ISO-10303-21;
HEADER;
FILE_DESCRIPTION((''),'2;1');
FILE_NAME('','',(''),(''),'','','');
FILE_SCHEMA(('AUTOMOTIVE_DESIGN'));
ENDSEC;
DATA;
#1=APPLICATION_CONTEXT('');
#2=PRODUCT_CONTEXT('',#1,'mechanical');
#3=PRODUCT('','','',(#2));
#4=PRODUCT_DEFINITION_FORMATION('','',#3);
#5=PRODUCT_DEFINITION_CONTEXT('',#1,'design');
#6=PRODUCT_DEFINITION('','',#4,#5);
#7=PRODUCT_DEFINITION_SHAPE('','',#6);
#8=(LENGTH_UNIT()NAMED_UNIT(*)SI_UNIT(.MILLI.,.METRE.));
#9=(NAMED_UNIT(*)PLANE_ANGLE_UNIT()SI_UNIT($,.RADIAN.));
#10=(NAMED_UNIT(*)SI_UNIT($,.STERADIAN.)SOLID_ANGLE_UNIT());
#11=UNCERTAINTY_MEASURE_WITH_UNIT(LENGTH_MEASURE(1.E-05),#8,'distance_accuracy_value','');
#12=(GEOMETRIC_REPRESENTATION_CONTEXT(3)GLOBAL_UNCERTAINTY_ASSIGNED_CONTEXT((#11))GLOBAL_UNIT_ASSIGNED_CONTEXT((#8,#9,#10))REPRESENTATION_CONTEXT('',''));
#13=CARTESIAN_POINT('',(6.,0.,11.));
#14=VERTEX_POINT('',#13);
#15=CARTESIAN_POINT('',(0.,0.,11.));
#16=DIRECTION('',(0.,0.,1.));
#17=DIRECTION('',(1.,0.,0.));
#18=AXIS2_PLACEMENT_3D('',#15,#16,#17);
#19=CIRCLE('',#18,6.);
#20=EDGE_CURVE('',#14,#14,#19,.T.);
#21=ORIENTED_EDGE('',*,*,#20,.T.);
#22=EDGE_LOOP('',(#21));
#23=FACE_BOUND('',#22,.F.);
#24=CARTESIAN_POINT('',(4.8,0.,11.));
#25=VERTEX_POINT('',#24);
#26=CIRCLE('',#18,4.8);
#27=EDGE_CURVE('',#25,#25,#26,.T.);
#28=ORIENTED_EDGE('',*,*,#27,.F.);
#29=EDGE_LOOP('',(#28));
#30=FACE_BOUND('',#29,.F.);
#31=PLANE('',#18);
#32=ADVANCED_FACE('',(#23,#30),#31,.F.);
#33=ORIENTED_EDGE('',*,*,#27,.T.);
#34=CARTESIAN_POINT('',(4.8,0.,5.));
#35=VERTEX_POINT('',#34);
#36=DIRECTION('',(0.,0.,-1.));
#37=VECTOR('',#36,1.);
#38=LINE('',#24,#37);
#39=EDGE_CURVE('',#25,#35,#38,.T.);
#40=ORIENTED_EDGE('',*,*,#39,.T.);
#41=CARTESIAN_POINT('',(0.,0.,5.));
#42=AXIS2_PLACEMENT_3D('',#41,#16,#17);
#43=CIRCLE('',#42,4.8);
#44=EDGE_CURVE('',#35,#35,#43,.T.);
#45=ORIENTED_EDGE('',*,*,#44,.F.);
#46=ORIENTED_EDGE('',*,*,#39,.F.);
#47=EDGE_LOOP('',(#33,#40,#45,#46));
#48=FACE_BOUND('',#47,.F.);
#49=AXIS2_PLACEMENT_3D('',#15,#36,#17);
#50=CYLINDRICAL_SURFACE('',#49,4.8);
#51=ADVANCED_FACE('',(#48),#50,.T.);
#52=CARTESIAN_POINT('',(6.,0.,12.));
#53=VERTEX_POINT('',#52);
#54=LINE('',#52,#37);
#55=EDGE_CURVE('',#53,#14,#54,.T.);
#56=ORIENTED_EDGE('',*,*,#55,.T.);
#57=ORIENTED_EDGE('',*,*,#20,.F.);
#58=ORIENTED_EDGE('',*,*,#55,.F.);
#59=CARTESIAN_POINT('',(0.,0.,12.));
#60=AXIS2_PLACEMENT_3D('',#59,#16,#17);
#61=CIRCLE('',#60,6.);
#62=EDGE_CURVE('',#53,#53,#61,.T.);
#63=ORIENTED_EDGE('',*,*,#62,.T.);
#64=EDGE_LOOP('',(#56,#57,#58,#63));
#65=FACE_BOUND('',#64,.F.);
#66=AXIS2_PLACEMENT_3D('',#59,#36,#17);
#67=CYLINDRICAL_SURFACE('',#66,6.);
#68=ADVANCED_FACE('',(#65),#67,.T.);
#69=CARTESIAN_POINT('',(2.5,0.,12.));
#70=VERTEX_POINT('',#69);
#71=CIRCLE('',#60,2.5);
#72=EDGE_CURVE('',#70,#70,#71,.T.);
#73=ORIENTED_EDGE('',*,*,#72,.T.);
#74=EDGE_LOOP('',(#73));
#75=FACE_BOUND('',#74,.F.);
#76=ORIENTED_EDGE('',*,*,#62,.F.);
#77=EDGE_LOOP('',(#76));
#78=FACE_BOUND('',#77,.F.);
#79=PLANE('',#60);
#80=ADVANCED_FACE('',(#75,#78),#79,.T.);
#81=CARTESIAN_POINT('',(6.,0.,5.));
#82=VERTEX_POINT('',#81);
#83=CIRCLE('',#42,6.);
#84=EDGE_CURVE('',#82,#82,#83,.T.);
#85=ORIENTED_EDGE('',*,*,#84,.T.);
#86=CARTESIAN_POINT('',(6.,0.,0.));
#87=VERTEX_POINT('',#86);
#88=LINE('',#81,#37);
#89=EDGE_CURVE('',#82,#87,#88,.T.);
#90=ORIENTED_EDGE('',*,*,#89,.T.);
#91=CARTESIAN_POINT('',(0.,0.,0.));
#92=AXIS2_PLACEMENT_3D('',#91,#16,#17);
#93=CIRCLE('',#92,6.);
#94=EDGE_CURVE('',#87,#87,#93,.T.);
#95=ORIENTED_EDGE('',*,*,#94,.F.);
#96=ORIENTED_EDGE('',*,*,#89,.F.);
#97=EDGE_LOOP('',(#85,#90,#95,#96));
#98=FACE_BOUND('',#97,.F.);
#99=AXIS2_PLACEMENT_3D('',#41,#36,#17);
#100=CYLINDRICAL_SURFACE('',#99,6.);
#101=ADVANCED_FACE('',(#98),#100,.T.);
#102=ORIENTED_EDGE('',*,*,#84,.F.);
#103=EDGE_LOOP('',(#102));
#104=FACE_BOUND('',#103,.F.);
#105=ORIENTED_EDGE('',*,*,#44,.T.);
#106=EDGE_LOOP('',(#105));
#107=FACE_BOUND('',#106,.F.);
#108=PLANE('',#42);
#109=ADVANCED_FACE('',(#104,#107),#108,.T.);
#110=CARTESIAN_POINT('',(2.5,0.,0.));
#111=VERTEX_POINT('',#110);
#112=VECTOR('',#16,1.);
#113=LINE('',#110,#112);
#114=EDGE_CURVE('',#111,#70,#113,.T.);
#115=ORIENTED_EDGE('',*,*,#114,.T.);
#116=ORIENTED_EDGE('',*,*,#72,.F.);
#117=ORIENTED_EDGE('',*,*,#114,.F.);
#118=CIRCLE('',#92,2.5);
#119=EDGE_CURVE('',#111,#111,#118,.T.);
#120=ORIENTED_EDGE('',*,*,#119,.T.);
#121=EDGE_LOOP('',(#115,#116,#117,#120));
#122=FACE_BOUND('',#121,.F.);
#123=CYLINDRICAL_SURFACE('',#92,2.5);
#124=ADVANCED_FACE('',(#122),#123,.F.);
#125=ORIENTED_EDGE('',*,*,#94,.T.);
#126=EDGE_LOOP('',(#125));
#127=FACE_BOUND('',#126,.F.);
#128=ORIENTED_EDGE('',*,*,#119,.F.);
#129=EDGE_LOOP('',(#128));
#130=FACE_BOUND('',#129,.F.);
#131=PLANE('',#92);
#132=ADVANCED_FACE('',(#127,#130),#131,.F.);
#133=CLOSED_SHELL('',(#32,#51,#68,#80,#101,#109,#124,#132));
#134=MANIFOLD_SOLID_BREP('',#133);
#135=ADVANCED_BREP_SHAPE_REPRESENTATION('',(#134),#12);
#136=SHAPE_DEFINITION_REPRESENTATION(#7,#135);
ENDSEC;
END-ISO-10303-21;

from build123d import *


with BuildPart() as part:
    # Sketch → Revolution (revolve)
    with BuildSketch(Plane.XZ):
        Polygon((2.5, 0), (2.5, 12), (6, 12), (6, 11), (4.8, 11), (4.8, 5), (6, 5), (6, 0), align=None)
    revolve(axis=Axis((0, 0, 0), (0, 0, 1)))


solid = part.part
